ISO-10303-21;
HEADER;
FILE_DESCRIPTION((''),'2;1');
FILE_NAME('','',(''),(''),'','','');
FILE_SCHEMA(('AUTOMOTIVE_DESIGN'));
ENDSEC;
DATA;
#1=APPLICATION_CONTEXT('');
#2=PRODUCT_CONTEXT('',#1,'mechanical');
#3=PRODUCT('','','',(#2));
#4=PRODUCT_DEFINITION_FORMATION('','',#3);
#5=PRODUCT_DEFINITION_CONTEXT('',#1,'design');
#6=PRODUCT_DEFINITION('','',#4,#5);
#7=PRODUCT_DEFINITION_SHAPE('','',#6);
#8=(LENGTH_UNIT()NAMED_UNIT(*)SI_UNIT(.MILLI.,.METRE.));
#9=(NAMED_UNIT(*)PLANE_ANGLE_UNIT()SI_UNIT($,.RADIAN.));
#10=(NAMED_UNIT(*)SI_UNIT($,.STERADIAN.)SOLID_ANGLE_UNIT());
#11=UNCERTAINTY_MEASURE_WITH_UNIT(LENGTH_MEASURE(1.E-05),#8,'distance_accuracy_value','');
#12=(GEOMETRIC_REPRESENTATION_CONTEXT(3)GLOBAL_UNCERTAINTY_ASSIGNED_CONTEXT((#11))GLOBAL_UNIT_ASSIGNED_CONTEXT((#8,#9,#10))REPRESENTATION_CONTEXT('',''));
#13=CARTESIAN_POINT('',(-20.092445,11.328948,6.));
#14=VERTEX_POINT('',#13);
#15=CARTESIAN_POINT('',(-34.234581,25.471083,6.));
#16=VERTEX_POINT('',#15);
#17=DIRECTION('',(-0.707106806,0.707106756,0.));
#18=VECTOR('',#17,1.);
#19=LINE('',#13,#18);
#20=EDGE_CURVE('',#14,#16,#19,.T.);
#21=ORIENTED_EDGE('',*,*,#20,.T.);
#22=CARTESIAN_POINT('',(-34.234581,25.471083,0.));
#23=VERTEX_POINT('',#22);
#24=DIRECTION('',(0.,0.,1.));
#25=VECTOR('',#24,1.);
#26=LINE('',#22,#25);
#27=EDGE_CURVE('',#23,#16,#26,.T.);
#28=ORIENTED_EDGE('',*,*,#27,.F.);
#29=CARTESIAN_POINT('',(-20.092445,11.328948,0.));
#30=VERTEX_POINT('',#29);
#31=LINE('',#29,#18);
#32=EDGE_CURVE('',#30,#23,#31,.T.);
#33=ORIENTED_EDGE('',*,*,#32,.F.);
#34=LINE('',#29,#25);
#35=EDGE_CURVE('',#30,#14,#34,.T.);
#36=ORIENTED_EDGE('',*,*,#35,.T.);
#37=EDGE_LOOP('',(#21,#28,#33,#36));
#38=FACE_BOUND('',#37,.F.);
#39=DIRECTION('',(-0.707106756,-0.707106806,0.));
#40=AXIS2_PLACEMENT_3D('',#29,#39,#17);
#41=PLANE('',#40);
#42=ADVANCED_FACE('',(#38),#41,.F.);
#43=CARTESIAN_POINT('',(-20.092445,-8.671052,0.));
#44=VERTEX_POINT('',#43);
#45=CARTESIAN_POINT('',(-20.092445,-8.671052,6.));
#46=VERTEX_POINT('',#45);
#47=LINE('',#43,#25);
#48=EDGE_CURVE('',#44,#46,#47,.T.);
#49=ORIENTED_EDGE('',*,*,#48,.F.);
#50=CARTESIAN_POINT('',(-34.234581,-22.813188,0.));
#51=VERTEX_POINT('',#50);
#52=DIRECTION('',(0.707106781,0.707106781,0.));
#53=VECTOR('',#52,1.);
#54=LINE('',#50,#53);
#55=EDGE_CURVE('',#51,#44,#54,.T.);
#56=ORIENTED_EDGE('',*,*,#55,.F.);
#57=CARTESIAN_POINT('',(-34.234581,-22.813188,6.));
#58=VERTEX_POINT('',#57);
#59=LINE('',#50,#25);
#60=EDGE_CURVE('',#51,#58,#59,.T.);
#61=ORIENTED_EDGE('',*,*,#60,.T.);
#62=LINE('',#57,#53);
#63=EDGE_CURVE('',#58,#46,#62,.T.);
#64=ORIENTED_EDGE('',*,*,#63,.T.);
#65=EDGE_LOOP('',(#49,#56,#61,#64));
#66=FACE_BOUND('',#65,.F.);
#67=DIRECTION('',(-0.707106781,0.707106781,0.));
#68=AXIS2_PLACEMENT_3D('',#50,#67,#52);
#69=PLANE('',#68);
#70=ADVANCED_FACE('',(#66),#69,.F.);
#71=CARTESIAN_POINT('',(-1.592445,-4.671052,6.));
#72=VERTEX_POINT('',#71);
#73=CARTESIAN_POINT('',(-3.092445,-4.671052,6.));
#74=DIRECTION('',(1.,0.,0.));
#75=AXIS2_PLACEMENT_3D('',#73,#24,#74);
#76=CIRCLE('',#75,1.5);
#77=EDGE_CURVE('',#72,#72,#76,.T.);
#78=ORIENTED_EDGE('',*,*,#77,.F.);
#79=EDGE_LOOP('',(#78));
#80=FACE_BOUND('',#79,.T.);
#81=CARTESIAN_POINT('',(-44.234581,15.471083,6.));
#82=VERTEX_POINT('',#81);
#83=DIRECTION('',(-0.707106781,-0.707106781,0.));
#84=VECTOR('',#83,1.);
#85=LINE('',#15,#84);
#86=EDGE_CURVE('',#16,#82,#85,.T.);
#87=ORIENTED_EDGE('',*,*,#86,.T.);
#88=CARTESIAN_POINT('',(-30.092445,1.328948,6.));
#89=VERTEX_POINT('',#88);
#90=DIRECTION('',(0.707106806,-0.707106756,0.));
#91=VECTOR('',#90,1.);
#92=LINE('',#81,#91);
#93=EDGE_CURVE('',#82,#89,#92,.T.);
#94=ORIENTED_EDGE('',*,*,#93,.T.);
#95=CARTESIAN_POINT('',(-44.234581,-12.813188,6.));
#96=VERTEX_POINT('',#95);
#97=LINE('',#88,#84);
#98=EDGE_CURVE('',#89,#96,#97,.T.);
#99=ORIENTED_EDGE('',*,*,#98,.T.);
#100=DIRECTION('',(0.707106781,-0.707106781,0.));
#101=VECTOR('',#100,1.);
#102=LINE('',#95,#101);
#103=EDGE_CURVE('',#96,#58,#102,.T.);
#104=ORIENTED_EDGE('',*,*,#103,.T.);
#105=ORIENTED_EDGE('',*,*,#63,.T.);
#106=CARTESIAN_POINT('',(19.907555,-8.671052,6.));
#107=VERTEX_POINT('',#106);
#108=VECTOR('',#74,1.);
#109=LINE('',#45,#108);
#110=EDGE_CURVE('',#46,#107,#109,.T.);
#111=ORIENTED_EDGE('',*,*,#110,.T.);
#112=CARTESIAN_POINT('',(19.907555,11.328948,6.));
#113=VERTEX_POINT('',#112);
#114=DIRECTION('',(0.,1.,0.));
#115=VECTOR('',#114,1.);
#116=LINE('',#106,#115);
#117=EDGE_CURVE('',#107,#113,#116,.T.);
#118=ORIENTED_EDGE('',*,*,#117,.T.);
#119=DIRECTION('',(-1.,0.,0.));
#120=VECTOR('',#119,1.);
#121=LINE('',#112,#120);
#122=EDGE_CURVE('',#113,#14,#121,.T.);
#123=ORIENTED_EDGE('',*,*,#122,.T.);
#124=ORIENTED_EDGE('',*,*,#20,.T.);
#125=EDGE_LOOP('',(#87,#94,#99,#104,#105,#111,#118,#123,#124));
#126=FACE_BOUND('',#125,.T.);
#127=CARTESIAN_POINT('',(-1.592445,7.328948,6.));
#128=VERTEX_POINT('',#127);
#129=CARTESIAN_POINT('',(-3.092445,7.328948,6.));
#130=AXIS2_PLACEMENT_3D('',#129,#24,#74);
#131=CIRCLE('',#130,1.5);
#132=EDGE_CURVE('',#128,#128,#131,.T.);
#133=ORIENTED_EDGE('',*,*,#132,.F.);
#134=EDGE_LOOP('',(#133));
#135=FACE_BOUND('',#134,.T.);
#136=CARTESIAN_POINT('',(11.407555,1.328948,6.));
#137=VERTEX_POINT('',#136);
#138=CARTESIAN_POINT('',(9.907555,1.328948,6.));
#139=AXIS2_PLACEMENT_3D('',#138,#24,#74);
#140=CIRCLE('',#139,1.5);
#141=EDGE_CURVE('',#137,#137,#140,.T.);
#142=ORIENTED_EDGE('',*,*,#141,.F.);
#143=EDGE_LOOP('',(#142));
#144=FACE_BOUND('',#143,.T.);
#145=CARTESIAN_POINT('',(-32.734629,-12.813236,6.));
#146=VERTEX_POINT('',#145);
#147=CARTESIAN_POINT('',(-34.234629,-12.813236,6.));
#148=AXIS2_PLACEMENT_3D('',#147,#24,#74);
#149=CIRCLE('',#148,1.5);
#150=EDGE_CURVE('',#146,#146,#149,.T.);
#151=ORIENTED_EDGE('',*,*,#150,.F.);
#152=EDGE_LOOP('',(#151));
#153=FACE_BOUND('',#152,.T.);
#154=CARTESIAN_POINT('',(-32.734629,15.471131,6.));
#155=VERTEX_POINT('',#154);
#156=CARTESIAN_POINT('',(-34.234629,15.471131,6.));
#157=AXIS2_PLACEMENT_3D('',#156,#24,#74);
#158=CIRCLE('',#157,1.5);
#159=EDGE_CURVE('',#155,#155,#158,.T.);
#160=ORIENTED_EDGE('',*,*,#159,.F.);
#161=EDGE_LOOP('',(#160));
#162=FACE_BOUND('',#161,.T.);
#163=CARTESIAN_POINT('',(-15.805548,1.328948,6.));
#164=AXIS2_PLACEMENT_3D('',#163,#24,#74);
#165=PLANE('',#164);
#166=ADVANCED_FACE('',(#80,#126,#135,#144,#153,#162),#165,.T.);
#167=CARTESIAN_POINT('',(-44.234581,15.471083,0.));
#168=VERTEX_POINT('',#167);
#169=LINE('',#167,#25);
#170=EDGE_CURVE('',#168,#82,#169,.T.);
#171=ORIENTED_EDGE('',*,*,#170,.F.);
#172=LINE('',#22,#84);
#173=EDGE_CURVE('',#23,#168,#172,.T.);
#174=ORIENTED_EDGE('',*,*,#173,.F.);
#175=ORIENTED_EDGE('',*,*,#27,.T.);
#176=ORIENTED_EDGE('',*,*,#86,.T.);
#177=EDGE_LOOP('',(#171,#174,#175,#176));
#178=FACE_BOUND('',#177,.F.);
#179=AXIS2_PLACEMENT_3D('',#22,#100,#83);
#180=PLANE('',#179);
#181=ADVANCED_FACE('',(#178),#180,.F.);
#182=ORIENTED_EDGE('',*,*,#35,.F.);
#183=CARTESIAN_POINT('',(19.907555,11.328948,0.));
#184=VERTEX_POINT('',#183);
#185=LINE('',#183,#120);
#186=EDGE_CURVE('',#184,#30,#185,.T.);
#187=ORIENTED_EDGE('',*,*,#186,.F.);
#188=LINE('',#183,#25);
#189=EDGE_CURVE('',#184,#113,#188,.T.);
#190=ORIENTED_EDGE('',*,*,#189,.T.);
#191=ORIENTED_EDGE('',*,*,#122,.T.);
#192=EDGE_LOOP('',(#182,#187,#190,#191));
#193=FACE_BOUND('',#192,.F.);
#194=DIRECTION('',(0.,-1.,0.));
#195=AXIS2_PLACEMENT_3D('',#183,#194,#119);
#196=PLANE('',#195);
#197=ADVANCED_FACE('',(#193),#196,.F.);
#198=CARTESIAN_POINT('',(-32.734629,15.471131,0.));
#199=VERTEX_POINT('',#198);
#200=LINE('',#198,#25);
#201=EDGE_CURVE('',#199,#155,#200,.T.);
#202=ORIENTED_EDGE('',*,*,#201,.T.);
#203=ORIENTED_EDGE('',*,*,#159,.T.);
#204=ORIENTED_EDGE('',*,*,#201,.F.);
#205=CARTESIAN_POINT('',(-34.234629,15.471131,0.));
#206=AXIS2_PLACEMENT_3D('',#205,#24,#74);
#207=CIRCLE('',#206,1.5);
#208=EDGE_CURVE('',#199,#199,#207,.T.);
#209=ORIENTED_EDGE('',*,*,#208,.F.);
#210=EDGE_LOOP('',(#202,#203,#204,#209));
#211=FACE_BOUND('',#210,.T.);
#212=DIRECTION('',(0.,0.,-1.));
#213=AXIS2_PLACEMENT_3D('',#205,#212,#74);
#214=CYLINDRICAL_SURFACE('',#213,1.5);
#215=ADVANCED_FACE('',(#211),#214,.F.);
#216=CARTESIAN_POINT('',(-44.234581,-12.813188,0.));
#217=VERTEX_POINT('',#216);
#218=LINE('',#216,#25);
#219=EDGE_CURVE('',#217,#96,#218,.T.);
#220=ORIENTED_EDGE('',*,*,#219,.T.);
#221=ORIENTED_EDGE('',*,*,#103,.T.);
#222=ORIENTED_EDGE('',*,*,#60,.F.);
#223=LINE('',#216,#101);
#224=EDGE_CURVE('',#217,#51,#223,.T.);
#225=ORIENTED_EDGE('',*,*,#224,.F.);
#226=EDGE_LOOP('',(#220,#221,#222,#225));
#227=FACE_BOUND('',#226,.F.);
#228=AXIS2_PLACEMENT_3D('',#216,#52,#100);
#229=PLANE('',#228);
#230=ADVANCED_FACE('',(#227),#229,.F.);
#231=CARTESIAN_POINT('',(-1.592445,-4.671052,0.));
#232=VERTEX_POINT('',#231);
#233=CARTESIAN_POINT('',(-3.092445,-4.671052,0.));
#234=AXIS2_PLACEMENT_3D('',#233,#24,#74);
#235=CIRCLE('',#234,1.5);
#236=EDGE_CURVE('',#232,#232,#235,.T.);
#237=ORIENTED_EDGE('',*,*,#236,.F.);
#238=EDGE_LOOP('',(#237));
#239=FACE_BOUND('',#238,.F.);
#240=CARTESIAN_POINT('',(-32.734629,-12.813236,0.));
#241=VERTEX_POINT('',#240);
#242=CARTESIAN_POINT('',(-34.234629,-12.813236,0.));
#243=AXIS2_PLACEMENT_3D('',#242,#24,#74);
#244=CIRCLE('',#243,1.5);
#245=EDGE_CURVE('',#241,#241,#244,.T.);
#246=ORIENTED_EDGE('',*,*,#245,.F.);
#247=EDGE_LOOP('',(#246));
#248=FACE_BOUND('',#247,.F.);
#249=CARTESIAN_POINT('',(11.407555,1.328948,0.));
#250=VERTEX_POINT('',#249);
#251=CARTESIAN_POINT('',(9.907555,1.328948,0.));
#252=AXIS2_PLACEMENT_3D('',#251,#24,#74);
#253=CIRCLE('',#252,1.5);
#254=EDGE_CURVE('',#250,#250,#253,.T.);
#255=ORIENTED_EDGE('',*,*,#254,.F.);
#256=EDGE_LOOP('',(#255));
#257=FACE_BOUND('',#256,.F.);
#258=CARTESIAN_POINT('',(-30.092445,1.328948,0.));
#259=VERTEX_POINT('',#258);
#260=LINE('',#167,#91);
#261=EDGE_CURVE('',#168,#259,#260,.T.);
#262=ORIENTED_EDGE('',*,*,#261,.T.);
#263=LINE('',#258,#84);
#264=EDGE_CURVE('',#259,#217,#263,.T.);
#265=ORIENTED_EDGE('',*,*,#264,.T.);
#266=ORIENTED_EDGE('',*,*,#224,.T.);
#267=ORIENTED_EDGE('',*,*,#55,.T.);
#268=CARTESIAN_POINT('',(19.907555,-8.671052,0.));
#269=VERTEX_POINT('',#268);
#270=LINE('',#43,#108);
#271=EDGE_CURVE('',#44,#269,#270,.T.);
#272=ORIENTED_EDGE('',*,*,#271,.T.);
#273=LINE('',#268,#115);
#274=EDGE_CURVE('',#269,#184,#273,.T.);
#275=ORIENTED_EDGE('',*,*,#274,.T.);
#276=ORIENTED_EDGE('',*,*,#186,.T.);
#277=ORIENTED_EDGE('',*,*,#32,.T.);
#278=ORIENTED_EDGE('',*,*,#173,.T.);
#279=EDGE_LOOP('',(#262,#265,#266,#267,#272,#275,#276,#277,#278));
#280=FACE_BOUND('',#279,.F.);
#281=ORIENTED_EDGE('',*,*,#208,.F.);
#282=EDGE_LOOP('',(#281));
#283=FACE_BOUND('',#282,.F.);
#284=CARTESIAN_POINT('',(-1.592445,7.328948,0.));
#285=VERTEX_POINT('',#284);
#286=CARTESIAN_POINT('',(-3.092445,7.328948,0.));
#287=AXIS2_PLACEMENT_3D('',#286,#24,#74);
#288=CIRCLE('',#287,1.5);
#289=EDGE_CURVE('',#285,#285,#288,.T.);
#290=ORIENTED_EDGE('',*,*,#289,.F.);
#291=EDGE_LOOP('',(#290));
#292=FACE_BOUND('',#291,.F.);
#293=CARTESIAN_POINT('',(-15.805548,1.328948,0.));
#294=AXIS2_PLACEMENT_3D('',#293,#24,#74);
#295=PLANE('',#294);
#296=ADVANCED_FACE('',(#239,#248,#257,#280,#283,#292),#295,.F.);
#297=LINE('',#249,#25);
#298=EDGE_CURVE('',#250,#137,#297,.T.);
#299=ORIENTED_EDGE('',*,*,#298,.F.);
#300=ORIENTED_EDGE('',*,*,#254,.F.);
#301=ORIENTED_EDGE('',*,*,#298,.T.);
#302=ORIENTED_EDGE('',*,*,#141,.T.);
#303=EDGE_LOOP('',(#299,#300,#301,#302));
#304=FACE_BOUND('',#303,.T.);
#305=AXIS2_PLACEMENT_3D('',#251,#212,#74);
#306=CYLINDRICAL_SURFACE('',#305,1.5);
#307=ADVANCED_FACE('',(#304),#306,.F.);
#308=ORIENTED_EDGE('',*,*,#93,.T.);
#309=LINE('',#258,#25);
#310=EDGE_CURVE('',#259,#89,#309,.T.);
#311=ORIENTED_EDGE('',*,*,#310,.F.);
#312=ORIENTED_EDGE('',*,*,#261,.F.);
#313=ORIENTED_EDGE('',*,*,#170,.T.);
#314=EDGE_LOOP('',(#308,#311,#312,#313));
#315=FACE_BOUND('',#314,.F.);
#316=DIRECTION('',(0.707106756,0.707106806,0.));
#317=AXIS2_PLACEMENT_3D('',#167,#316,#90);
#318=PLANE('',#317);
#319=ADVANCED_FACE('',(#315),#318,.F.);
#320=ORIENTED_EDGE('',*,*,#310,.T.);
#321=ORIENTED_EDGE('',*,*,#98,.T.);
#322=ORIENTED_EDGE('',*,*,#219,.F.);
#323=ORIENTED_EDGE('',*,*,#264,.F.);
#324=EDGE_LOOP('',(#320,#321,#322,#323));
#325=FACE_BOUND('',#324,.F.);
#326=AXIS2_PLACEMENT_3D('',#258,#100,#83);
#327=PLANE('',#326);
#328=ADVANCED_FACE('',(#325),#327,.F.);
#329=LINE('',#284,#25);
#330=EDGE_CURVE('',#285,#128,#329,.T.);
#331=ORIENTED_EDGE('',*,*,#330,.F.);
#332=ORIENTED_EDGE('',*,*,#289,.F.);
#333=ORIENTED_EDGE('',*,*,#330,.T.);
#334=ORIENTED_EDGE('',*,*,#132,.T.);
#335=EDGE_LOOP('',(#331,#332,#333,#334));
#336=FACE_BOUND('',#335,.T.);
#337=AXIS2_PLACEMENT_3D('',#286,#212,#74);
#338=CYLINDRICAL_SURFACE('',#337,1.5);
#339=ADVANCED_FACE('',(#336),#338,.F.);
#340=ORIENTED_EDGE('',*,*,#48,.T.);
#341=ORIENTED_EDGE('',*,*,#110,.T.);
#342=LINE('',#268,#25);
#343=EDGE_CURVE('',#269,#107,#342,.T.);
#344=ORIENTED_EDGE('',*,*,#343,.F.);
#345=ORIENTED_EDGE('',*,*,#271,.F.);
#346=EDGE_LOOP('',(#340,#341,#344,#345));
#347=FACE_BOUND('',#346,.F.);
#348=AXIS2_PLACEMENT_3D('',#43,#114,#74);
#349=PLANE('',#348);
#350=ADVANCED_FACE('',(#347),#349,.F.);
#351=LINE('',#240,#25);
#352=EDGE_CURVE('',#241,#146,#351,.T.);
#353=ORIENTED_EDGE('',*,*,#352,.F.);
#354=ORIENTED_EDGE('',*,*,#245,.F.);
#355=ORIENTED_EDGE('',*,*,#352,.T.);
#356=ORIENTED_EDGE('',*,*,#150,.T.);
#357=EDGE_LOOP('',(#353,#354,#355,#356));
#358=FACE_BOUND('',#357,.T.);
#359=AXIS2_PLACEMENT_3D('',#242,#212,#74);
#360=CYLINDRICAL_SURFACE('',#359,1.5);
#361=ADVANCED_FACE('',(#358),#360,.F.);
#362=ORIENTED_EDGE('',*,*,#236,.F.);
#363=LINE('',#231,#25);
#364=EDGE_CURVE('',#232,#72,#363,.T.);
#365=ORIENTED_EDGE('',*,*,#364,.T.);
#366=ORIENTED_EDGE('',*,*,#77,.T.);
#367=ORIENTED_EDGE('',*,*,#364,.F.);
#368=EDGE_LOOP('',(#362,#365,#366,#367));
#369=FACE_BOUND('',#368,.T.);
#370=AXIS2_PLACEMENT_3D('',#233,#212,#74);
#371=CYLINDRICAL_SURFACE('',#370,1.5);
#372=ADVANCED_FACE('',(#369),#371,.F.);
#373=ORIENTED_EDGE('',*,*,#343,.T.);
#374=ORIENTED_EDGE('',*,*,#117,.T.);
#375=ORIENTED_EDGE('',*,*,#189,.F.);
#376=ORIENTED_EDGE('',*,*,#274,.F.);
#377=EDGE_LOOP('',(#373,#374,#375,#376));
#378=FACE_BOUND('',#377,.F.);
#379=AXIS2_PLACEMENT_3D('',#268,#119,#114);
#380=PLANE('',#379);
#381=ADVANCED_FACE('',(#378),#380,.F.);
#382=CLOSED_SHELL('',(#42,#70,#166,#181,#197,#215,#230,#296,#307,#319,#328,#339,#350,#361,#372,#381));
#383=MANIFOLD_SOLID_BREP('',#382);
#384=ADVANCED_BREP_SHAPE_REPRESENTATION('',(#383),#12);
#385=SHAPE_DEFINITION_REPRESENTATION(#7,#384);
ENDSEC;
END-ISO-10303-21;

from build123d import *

# Parameters (mm, degrees)
F0_R     = 1.5
F1_DEPTH = 6


with BuildPart() as f1:
    # F0 (on Top) → F1 (new body)
    with BuildSketch(Plane.XY):
        Polygon((-20.092445, 11.328948), (-34.234581, 25.471083), (-44.234581, 15.471083), (-30.092445, 1.328948), (-44.234581, -12.813188), (-34.234581, -22.813188), (-20.092445, -8.671052), (19.907555, -8.671052), (19.907555, 11.328948), align=None)
        with Locations((-34.234629, -12.813236)):
            Circle(F0_R, mode=Mode.SUBTRACT)
        with Locations((-3.092445, -4.671052)):
            Circle(F0_R, mode=Mode.SUBTRACT)
        with Locations((-34.234629, 15.471131)):
            Circle(F0_R, mode=Mode.SUBTRACT)
        with Locations((-3.092445, 7.328948)):
            Circle(F0_R, mode=Mode.SUBTRACT)
        with Locations((9.907555, 1.328948)):
            Circle(F0_R, mode=Mode.SUBTRACT)
    extrude(amount=F1_DEPTH)


solid = f1.part
